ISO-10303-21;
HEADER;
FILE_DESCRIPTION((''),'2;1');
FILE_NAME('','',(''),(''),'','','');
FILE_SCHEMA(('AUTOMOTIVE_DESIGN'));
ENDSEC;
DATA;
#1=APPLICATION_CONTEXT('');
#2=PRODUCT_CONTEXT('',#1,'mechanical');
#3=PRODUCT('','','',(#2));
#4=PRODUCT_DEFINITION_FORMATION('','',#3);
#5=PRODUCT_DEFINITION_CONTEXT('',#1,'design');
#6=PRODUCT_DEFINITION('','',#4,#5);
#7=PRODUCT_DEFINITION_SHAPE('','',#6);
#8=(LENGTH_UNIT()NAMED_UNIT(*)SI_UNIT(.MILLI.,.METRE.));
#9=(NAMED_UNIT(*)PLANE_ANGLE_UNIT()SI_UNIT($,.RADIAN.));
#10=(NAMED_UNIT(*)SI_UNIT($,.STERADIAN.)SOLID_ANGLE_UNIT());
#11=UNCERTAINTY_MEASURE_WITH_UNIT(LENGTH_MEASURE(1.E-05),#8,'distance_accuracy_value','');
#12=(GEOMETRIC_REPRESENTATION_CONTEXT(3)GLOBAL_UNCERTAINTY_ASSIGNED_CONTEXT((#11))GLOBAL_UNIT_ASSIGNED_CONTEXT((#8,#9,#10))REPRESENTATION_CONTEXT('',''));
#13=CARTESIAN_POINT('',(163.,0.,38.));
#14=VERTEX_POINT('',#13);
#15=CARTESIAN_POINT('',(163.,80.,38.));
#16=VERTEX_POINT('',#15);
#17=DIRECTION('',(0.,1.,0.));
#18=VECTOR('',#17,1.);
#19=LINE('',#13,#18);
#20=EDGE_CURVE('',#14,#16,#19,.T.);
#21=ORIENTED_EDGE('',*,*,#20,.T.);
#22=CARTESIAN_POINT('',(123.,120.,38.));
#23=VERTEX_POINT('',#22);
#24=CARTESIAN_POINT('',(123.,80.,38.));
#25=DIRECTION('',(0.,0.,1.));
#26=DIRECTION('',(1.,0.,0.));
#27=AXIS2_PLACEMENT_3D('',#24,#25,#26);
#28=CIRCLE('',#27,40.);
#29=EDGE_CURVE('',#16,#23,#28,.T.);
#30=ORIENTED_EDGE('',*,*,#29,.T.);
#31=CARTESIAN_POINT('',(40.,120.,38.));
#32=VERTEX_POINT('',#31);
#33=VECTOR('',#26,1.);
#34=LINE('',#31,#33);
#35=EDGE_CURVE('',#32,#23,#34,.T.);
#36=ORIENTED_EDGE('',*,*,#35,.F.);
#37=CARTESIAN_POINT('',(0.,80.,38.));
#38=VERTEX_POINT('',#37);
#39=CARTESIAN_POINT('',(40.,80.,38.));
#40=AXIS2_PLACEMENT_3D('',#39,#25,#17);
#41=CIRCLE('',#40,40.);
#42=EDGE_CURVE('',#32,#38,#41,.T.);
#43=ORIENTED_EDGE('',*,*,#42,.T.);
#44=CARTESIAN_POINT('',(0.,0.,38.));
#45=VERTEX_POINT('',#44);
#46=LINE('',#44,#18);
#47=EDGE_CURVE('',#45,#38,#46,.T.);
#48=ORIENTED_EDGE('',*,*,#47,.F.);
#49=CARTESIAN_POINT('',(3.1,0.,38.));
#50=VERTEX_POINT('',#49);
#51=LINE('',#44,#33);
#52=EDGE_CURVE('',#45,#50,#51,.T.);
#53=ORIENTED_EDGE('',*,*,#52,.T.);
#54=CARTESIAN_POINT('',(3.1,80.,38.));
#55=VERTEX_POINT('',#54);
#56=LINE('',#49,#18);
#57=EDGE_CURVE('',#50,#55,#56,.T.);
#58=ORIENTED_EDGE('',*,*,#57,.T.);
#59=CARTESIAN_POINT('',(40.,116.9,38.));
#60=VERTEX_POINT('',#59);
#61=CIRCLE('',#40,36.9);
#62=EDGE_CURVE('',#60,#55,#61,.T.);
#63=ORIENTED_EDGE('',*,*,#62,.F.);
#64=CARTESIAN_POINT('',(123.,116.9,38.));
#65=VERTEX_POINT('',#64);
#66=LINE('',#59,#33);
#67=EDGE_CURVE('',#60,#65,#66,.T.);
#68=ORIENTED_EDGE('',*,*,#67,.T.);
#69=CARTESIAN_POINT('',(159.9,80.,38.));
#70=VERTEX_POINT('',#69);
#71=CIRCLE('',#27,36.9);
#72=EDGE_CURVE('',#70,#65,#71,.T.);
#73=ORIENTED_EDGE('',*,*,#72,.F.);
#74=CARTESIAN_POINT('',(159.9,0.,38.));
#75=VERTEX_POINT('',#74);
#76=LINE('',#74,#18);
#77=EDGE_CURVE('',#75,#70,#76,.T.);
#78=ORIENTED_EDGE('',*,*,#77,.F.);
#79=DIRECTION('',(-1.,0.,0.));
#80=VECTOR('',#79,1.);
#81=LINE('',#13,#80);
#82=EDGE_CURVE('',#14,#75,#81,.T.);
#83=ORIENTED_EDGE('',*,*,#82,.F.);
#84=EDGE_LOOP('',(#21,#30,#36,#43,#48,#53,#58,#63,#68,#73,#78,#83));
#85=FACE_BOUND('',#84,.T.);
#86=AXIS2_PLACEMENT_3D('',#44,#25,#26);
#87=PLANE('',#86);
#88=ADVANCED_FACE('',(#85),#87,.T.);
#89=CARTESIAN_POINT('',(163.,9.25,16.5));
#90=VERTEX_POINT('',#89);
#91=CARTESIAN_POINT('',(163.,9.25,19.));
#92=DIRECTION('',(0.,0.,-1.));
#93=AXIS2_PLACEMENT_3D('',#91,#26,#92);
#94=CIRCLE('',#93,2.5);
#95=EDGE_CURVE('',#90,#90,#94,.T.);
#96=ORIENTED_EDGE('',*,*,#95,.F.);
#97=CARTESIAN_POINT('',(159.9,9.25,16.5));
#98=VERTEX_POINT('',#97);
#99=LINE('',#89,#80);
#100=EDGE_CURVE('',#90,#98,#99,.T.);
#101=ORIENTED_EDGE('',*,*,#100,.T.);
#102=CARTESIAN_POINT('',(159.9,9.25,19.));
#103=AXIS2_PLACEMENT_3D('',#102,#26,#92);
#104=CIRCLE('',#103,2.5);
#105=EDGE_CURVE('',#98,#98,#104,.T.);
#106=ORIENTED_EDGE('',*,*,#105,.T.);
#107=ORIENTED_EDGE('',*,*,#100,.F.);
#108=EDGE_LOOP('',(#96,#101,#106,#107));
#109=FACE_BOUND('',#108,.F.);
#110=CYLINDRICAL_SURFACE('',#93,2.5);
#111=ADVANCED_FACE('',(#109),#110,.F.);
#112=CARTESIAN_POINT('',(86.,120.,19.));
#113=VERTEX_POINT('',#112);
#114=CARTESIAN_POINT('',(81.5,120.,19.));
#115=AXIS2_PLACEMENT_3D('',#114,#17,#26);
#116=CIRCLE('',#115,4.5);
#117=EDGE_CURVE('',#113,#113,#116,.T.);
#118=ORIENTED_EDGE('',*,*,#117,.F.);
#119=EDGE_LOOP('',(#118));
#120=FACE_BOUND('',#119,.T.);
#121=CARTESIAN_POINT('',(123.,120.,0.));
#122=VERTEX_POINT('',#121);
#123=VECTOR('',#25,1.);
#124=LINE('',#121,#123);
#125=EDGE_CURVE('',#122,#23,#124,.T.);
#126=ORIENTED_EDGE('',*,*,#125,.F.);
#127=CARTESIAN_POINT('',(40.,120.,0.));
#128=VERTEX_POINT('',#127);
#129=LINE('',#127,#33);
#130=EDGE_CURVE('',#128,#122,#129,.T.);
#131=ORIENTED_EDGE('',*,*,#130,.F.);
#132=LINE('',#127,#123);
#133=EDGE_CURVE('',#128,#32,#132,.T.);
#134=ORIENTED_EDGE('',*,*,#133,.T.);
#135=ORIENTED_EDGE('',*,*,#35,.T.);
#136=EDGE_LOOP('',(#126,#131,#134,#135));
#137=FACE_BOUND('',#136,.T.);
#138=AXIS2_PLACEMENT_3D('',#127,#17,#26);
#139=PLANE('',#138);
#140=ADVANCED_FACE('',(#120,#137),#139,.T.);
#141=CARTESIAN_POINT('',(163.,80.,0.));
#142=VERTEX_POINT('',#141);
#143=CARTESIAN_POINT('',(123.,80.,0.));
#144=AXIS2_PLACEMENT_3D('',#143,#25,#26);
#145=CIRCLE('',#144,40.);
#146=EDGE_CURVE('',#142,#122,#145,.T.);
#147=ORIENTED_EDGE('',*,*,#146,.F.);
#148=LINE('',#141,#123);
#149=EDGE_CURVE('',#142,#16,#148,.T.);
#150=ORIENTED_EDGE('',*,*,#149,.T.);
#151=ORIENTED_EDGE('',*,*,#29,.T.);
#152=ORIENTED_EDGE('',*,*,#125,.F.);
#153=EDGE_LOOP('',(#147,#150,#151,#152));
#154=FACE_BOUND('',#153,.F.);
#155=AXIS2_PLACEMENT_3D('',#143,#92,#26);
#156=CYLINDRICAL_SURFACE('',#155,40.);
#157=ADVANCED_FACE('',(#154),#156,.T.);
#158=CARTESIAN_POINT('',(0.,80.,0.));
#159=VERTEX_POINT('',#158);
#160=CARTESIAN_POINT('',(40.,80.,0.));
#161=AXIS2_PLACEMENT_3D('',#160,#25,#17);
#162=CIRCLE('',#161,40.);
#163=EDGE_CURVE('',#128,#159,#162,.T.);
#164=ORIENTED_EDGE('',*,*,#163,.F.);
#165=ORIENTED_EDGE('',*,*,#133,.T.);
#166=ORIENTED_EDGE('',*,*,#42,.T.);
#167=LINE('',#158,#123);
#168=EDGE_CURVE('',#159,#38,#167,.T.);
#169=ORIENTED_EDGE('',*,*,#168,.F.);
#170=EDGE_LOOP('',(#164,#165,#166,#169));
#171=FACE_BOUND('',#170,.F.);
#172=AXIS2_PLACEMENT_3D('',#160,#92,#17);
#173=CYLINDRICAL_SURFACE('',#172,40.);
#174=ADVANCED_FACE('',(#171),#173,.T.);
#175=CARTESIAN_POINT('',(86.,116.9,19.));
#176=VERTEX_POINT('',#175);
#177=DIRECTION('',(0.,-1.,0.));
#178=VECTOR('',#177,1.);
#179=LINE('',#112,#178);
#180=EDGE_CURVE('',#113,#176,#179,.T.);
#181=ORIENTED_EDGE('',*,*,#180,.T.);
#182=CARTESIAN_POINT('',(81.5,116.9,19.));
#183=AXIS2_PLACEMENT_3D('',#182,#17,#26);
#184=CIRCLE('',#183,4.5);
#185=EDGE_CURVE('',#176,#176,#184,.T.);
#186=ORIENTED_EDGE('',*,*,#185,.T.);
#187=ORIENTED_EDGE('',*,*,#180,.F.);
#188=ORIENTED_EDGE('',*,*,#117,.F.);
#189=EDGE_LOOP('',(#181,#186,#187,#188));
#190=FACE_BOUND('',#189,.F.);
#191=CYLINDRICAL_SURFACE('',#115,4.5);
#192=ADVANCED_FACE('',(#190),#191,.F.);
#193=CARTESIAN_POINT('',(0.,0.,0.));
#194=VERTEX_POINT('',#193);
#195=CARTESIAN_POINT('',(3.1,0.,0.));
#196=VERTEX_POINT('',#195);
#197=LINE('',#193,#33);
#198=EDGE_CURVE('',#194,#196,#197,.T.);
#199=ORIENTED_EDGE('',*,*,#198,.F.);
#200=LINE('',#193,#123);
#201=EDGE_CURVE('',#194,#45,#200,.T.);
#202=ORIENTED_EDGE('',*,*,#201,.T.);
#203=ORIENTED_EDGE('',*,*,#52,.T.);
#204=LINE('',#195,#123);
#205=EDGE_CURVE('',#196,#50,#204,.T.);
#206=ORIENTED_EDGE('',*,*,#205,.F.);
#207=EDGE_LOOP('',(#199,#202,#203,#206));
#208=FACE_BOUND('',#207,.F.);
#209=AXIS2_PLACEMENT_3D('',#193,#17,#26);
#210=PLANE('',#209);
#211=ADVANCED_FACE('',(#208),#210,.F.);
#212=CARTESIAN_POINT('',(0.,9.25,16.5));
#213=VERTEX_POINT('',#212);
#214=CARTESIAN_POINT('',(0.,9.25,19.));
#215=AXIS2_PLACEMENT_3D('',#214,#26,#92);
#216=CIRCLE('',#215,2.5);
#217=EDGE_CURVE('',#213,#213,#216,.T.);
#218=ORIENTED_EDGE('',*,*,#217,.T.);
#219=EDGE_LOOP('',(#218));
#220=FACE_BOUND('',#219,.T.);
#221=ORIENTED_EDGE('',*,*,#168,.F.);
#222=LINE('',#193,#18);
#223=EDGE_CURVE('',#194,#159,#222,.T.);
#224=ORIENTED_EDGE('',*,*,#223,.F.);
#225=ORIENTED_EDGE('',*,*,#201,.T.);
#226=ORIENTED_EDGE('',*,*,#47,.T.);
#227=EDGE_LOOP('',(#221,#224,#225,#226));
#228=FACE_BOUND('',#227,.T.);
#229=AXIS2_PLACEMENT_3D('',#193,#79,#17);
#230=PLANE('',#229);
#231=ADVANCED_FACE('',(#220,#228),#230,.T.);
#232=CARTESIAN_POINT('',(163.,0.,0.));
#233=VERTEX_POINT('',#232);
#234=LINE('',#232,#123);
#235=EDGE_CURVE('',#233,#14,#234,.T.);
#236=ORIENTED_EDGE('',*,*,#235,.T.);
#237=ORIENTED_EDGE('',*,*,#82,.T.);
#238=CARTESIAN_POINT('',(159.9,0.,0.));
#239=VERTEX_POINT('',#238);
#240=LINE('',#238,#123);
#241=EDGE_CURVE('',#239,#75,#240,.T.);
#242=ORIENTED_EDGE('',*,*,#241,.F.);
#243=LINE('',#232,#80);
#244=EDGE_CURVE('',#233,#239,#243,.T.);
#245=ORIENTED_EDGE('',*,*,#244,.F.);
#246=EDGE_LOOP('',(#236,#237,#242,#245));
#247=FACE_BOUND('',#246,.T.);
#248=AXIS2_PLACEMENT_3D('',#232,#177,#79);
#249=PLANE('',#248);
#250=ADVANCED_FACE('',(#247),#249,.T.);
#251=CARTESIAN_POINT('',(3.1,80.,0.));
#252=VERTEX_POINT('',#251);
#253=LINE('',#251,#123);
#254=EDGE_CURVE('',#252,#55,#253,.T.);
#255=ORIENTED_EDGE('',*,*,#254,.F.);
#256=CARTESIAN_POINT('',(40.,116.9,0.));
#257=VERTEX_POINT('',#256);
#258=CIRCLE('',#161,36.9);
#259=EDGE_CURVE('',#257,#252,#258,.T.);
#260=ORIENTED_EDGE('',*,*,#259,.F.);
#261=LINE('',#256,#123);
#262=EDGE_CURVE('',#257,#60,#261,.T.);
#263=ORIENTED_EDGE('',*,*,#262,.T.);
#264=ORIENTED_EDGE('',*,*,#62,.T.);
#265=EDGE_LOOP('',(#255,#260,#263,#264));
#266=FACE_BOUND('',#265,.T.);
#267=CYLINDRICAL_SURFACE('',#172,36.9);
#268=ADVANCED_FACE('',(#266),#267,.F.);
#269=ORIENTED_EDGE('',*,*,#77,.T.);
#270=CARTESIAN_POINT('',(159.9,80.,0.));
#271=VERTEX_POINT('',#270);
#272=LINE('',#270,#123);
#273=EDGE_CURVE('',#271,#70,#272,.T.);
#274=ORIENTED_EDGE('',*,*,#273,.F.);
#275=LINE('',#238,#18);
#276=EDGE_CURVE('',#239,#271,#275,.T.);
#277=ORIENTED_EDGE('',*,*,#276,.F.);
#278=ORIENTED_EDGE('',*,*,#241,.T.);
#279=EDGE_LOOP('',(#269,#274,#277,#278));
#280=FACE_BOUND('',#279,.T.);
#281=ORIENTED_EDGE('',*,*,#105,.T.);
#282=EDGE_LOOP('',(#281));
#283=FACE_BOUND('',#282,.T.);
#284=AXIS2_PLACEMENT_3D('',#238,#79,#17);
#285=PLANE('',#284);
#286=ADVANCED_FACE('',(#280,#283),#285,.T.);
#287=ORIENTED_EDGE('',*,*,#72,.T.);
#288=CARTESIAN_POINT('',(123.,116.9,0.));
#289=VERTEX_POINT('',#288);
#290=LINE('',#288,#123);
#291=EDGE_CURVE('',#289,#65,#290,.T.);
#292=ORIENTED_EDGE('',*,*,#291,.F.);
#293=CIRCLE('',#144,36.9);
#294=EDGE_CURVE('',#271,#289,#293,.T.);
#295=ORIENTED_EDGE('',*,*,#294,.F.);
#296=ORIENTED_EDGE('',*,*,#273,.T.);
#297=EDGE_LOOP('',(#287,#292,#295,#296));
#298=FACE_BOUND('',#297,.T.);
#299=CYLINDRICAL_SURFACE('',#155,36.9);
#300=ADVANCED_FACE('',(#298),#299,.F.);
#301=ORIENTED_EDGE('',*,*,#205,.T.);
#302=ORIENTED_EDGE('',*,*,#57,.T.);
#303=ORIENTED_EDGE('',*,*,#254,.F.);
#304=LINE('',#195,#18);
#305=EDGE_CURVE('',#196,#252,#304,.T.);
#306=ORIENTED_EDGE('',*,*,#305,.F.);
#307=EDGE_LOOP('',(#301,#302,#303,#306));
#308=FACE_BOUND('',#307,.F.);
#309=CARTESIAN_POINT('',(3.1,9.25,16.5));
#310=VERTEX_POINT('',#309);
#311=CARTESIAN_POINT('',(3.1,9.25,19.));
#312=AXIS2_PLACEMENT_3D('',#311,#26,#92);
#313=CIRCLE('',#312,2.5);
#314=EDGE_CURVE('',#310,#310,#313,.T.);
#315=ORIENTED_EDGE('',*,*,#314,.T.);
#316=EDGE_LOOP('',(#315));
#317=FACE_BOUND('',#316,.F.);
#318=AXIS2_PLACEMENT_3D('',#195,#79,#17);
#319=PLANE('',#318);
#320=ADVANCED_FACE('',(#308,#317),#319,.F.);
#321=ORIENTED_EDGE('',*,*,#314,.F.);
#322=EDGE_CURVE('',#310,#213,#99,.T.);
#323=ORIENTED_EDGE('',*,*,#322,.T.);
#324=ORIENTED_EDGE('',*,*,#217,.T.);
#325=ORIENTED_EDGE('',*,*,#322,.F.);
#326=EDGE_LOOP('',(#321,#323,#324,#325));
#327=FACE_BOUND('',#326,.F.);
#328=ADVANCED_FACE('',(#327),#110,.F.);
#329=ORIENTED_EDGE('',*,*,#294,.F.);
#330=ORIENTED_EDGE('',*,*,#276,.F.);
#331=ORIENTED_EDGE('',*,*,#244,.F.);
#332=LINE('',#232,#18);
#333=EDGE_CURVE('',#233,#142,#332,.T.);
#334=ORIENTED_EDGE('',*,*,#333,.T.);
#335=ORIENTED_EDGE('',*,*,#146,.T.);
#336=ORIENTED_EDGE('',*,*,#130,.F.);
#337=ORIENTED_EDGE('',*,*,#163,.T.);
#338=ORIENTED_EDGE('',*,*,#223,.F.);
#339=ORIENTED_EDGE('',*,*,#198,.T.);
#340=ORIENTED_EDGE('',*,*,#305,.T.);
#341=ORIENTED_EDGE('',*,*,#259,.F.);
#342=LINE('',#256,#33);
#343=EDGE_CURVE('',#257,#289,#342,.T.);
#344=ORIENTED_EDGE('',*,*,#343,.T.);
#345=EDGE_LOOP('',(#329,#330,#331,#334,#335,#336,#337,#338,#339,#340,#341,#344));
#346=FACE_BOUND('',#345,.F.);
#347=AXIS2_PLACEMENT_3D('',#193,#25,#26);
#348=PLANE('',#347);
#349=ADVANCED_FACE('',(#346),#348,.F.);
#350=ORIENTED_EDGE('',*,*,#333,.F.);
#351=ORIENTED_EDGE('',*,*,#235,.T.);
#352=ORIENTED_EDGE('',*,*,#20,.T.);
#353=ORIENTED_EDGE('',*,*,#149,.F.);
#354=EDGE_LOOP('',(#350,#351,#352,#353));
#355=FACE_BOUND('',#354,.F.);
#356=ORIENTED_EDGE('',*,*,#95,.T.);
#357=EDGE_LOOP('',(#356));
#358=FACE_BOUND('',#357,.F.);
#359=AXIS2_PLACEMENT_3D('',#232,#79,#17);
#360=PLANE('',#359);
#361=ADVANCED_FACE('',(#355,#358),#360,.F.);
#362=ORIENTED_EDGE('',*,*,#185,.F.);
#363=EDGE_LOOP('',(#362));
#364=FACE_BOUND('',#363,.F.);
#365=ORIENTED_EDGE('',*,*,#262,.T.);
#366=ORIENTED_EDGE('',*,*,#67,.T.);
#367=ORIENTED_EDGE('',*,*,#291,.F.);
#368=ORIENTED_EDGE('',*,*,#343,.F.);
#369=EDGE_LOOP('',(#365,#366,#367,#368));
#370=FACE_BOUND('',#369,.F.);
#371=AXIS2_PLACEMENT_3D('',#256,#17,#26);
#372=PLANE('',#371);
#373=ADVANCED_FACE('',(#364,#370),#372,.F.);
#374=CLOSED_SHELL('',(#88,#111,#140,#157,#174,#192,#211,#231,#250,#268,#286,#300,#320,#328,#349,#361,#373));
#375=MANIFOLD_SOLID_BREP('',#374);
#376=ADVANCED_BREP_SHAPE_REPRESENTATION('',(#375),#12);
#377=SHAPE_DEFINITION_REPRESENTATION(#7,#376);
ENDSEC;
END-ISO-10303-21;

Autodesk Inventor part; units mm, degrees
ref_plane "YZ Plane" through (0, 0, 0) normal (1, 0, 0) x (0, 1, 0)
ref_plane "XZ Plane" through (0, 0, 0) normal (0, 1, 0) x (-1, 0, 0)
ref_plane "XY Plane" through (0, 0, 0) normal (0, 0, 1) x (1, 0, 0)
sketch "Sketch1" plane through (0, 0, 0) normal (0, 0, 1) x (1, 0, 0)
  line L0 (0, 0) -> (0, 80)
  line L1 (163, 0) -> (163, 80)
  line L2 (0, 0) -> (3.1, 0)
  line L3 (3.1, 0) -> (3.1, 80)
  line L4 (163, 0) -> (159.9, 0)
  line L5 (159.9, 0) -> (159.9, 80)
  arc A0 (40, 116.9) -> (3.1, 80) centre (40, 80) ccw
  arc A1 (159.9, 80) -> (123, 116.9) centre (123, 80) ccw
  line L6 (40, 116.9) -> (123, 116.9)
  arc A2 (40, 120) -> (0, 80) centre (40, 80) ccw
  line L7 (40, 120) -> (123, 120)
  arc A3 (163, 80) -> (123, 120) centre (123, 80) ccw
  dimension "d0" = 163
  dimension "d1" = 80
  dimension "d2" = 3.1
  dimension "d3" = 3.1
  dimension "d4" = 3.1
  dimension "d5" = 120
extrude "Extrusion1" add sketch "Sketch1" along normal blind 38
sketch "Sketch2" plane through (163, 0, 0) normal (1, 0, 0) x (0, 0, -1)
  circle A0 centre (-19, 9.25) radius 2.5
  line L0 (-38, 0) -> (-38, 80) projected
  line L1 (0, 0) -> (-38, 0) projected
  dimension "d8" = 5
  dimension "d9" = 19
  dimension "d10" = 9.25
extrude "Extrusion2" cut sketch "Sketch2" against normal through all
sketch "Sketch3" plane through (40, 120, 0) normal (0, 1, 0) x (1, 0, 0)
  circle A0 centre (41.5, -19) radius 4.5
  line L0 (-40, 0) -> (-40, -38) projected
  line L1 (83, 0) -> (0, 0) projected
  point P0 (-40, -19)
  dimension "d13" = 81.5
  dimension "d14" = 19
  dimension "d15" = 9
extrude "Extrusion3" cut sketch "Sketch3" against normal up to surface (3.1 mm away)
properties part number "pulley_bracket"
